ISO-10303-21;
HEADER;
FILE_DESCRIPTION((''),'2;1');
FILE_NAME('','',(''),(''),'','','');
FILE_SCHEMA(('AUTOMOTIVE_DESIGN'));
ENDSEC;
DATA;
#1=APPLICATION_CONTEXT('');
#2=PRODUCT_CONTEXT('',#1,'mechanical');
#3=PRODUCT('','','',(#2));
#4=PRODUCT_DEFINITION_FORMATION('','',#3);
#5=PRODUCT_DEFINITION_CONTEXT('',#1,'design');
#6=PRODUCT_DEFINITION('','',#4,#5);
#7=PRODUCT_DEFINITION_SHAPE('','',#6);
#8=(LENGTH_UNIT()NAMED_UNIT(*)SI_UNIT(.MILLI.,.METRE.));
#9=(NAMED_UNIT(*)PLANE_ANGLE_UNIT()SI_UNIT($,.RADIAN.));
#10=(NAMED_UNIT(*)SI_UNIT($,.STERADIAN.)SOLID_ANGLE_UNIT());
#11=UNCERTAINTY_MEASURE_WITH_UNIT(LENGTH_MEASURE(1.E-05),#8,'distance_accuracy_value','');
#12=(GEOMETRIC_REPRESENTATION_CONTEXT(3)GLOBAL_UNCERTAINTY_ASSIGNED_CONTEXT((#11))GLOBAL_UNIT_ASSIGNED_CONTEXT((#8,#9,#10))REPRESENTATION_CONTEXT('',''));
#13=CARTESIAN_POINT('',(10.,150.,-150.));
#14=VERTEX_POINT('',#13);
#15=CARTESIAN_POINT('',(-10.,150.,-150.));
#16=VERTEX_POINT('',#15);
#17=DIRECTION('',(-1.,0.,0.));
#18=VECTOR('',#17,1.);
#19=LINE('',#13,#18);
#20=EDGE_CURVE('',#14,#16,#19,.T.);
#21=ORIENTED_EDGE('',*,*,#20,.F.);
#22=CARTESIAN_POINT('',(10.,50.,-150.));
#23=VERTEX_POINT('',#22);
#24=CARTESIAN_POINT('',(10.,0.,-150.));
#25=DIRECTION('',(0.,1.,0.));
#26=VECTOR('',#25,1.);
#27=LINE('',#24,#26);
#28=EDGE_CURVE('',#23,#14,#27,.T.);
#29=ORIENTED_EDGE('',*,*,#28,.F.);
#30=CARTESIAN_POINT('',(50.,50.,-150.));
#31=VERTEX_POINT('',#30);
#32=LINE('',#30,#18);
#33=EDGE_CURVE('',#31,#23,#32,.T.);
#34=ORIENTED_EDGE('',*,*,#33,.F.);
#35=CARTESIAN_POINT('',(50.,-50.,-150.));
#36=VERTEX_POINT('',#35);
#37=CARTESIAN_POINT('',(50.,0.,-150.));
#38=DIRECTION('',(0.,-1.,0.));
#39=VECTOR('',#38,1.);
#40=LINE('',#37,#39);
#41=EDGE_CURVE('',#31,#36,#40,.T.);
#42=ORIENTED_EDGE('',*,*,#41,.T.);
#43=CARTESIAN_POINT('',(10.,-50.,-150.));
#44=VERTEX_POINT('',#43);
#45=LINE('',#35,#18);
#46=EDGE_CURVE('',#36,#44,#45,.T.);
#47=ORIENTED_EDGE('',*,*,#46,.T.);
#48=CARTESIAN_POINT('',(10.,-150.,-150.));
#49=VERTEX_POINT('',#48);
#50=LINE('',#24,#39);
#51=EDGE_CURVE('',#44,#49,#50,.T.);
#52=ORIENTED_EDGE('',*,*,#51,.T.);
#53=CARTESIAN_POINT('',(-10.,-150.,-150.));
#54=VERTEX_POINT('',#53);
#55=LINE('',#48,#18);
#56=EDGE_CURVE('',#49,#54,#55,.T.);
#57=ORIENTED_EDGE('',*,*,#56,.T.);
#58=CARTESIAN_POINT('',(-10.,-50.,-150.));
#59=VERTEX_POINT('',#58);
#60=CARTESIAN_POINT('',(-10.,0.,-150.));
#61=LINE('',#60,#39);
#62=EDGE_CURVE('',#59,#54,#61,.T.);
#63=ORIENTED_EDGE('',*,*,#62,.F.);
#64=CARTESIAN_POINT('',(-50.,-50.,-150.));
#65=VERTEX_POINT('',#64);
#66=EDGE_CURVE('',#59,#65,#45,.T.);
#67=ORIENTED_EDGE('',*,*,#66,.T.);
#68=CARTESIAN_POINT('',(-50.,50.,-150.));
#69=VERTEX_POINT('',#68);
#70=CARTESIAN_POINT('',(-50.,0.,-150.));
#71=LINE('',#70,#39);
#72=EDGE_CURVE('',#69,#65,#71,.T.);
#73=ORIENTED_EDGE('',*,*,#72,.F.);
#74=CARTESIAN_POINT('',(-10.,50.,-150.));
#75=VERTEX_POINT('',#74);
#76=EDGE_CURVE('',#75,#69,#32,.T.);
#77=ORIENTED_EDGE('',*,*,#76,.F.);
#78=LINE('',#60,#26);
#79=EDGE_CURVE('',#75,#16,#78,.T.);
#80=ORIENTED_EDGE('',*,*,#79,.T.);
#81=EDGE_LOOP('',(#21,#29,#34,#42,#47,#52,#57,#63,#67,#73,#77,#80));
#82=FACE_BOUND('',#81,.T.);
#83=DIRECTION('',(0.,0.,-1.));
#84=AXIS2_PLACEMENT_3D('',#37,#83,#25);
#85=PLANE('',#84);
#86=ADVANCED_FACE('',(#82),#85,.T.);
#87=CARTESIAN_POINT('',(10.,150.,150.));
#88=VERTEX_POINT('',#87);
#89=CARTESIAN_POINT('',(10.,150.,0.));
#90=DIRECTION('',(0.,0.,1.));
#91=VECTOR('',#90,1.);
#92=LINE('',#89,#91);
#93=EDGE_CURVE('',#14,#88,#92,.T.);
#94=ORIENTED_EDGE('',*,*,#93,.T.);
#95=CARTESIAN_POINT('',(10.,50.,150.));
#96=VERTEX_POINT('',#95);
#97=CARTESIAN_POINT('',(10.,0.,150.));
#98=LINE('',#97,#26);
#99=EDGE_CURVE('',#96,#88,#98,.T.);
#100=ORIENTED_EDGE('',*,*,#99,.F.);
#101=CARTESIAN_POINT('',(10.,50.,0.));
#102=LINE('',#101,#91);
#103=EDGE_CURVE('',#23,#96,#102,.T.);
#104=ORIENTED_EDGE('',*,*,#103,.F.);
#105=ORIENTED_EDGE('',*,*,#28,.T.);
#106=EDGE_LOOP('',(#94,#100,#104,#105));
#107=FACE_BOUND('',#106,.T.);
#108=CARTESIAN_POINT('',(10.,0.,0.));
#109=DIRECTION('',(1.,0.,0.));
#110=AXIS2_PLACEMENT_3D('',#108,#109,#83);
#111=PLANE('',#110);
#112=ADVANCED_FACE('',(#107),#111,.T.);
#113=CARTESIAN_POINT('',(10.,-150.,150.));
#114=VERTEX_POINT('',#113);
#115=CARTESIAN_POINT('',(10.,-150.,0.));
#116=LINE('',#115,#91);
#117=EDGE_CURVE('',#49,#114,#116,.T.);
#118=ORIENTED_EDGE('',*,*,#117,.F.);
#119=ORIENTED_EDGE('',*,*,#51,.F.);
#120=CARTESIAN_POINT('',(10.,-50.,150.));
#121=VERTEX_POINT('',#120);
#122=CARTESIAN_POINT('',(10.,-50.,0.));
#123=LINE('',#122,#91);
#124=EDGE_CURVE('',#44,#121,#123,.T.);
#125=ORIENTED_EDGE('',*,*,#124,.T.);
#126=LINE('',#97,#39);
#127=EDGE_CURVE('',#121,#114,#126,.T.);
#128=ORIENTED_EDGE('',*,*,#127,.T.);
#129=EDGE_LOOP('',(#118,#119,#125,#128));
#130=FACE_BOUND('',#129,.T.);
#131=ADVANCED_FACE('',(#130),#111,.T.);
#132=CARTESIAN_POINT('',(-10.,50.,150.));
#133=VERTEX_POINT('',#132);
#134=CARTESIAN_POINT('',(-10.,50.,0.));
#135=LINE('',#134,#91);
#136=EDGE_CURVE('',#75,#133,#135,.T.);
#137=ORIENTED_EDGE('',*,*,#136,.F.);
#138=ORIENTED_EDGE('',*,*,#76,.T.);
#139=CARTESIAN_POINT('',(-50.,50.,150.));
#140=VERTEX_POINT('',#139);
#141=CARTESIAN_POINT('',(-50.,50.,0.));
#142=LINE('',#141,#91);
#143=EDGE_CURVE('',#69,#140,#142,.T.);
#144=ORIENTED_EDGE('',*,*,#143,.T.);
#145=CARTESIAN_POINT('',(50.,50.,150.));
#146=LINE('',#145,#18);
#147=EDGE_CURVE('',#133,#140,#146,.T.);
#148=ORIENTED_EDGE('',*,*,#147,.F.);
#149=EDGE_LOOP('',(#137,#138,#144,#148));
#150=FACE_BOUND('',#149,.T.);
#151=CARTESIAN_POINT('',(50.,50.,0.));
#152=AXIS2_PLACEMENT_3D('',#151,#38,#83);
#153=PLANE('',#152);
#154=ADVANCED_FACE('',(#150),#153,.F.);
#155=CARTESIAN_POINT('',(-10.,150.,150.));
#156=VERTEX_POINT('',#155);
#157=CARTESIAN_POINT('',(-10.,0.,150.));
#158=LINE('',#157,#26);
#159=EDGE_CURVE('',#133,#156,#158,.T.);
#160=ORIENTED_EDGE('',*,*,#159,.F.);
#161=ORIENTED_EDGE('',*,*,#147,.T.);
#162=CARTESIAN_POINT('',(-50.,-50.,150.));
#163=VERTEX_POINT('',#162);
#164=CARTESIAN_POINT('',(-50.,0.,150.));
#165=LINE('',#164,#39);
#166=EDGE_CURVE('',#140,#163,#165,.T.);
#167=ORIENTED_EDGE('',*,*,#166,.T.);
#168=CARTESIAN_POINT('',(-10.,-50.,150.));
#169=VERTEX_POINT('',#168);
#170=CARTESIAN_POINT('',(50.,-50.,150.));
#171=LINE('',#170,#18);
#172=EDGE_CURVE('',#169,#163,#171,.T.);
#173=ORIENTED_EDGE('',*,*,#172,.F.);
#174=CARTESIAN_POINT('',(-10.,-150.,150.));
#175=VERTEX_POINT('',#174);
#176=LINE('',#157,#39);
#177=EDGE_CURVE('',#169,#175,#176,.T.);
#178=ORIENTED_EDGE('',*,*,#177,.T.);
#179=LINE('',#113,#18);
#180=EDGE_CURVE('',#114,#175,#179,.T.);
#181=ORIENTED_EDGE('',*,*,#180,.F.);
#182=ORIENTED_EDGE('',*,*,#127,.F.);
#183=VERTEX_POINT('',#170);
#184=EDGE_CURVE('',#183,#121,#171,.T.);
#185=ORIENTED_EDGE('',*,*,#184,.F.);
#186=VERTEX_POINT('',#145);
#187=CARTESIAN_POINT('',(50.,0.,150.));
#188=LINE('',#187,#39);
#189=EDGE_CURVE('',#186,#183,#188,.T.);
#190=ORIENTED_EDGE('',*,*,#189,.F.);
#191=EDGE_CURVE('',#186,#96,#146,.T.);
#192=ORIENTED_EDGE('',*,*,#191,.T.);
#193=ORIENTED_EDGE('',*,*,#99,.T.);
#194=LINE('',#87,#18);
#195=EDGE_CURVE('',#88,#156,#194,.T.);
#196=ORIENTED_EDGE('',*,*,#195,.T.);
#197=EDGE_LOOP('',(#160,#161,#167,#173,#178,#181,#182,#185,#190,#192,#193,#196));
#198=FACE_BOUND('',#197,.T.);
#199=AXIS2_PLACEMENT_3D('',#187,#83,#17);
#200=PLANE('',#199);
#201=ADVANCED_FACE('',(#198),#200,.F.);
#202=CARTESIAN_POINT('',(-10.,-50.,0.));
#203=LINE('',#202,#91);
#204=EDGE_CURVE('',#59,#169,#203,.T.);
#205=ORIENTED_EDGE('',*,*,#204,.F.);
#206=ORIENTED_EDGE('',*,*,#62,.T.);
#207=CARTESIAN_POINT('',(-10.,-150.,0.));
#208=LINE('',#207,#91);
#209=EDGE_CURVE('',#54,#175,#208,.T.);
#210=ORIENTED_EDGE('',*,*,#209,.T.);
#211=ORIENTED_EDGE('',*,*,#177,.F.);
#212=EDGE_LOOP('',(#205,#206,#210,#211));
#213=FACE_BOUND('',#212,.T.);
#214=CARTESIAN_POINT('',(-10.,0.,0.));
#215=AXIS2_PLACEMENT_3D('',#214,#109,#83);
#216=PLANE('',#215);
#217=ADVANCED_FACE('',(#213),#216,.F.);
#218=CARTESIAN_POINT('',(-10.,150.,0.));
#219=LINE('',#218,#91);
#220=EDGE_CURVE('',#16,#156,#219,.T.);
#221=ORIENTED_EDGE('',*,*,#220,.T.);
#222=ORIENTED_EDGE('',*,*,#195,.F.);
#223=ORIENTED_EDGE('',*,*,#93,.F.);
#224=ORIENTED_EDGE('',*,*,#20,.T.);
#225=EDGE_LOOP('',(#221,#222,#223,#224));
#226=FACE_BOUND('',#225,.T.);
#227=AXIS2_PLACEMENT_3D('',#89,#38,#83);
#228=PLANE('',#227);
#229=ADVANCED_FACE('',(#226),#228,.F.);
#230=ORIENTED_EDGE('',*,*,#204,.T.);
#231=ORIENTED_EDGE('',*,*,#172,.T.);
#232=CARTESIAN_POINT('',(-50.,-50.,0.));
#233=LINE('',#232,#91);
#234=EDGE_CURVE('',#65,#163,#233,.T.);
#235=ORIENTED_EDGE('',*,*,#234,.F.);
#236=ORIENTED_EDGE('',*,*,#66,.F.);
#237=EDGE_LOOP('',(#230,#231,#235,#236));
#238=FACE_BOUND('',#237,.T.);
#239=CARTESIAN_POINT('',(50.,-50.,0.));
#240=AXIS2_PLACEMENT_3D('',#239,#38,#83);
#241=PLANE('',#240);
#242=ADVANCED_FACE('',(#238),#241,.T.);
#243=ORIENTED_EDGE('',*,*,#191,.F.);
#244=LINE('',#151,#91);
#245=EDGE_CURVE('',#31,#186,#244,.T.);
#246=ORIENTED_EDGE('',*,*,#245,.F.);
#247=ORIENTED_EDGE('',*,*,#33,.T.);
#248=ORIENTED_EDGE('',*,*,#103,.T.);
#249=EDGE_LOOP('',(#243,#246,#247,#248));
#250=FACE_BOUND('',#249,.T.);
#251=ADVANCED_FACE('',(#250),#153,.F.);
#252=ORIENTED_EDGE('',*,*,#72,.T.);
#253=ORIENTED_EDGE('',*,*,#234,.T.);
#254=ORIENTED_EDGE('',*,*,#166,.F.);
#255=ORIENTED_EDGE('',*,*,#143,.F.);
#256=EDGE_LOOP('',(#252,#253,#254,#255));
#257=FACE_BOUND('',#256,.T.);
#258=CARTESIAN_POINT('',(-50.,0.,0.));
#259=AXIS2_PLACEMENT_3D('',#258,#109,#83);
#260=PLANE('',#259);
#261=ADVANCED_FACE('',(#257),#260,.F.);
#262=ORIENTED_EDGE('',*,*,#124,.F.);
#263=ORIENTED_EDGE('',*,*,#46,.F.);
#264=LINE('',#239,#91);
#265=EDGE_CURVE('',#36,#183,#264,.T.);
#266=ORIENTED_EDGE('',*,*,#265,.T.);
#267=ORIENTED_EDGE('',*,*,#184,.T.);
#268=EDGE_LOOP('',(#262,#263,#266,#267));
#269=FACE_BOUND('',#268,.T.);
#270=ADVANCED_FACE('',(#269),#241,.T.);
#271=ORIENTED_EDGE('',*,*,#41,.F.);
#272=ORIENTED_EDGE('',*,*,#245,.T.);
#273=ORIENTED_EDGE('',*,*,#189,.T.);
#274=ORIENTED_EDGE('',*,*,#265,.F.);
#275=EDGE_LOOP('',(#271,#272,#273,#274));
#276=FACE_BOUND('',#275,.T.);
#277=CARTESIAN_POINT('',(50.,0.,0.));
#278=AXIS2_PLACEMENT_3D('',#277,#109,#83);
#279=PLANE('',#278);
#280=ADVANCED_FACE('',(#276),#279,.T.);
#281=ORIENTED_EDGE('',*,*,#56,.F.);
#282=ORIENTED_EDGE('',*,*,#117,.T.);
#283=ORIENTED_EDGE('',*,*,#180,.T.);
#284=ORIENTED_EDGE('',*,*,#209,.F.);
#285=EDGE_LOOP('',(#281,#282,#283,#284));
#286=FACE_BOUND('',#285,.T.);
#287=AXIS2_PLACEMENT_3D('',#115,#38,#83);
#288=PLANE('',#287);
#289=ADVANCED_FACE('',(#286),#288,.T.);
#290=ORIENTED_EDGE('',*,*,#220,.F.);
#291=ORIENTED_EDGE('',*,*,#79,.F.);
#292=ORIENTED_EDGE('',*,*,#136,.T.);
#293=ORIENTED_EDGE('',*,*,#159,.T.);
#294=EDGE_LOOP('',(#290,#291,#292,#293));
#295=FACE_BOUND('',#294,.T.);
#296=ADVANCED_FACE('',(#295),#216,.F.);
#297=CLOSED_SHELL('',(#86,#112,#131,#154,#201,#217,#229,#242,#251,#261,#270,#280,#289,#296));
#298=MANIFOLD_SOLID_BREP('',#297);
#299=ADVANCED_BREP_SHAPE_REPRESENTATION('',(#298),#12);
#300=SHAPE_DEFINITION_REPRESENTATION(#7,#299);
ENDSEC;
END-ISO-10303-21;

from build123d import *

# Parameters (mm, degrees)
SKETCH3_W           = 300
SKETCH3_H           = 100
BOSS_EXTRUDE3_DEPTH = 50
SKETCH3_4_W         = 300
SKETCH3_4_H         = 100
BOSS_EXTRUDE4_DEPTH = 10


with BuildPart() as part:
    # Sketch3 → Boss-Extrude3 (new, symmetric)
    with BuildSketch(Plane(origin=(0, 0, 0), x_dir=(0, 0, -1), z_dir=(1, 0, 0))):
        Rectangle(SKETCH3_W, SKETCH3_H)
    extrude(amount=BOSS_EXTRUDE3_DEPTH, both=True)

    # Sketch3<4> → Boss-Extrude4 (add, symmetric)
    with BuildSketch(Plane(origin=(0, 0, 0), x_dir=(0, 0, -1), z_dir=(1, 0, 0))):
        with Locations((0, 100)):
            Rectangle(SKETCH3_4_W, SKETCH3_4_H)
        with Locations((0, -100)):
            Rectangle(SKETCH3_4_W, SKETCH3_4_H)
    extrude(amount=BOSS_EXTRUDE4_DEPTH, both=True)


solid = part.part
